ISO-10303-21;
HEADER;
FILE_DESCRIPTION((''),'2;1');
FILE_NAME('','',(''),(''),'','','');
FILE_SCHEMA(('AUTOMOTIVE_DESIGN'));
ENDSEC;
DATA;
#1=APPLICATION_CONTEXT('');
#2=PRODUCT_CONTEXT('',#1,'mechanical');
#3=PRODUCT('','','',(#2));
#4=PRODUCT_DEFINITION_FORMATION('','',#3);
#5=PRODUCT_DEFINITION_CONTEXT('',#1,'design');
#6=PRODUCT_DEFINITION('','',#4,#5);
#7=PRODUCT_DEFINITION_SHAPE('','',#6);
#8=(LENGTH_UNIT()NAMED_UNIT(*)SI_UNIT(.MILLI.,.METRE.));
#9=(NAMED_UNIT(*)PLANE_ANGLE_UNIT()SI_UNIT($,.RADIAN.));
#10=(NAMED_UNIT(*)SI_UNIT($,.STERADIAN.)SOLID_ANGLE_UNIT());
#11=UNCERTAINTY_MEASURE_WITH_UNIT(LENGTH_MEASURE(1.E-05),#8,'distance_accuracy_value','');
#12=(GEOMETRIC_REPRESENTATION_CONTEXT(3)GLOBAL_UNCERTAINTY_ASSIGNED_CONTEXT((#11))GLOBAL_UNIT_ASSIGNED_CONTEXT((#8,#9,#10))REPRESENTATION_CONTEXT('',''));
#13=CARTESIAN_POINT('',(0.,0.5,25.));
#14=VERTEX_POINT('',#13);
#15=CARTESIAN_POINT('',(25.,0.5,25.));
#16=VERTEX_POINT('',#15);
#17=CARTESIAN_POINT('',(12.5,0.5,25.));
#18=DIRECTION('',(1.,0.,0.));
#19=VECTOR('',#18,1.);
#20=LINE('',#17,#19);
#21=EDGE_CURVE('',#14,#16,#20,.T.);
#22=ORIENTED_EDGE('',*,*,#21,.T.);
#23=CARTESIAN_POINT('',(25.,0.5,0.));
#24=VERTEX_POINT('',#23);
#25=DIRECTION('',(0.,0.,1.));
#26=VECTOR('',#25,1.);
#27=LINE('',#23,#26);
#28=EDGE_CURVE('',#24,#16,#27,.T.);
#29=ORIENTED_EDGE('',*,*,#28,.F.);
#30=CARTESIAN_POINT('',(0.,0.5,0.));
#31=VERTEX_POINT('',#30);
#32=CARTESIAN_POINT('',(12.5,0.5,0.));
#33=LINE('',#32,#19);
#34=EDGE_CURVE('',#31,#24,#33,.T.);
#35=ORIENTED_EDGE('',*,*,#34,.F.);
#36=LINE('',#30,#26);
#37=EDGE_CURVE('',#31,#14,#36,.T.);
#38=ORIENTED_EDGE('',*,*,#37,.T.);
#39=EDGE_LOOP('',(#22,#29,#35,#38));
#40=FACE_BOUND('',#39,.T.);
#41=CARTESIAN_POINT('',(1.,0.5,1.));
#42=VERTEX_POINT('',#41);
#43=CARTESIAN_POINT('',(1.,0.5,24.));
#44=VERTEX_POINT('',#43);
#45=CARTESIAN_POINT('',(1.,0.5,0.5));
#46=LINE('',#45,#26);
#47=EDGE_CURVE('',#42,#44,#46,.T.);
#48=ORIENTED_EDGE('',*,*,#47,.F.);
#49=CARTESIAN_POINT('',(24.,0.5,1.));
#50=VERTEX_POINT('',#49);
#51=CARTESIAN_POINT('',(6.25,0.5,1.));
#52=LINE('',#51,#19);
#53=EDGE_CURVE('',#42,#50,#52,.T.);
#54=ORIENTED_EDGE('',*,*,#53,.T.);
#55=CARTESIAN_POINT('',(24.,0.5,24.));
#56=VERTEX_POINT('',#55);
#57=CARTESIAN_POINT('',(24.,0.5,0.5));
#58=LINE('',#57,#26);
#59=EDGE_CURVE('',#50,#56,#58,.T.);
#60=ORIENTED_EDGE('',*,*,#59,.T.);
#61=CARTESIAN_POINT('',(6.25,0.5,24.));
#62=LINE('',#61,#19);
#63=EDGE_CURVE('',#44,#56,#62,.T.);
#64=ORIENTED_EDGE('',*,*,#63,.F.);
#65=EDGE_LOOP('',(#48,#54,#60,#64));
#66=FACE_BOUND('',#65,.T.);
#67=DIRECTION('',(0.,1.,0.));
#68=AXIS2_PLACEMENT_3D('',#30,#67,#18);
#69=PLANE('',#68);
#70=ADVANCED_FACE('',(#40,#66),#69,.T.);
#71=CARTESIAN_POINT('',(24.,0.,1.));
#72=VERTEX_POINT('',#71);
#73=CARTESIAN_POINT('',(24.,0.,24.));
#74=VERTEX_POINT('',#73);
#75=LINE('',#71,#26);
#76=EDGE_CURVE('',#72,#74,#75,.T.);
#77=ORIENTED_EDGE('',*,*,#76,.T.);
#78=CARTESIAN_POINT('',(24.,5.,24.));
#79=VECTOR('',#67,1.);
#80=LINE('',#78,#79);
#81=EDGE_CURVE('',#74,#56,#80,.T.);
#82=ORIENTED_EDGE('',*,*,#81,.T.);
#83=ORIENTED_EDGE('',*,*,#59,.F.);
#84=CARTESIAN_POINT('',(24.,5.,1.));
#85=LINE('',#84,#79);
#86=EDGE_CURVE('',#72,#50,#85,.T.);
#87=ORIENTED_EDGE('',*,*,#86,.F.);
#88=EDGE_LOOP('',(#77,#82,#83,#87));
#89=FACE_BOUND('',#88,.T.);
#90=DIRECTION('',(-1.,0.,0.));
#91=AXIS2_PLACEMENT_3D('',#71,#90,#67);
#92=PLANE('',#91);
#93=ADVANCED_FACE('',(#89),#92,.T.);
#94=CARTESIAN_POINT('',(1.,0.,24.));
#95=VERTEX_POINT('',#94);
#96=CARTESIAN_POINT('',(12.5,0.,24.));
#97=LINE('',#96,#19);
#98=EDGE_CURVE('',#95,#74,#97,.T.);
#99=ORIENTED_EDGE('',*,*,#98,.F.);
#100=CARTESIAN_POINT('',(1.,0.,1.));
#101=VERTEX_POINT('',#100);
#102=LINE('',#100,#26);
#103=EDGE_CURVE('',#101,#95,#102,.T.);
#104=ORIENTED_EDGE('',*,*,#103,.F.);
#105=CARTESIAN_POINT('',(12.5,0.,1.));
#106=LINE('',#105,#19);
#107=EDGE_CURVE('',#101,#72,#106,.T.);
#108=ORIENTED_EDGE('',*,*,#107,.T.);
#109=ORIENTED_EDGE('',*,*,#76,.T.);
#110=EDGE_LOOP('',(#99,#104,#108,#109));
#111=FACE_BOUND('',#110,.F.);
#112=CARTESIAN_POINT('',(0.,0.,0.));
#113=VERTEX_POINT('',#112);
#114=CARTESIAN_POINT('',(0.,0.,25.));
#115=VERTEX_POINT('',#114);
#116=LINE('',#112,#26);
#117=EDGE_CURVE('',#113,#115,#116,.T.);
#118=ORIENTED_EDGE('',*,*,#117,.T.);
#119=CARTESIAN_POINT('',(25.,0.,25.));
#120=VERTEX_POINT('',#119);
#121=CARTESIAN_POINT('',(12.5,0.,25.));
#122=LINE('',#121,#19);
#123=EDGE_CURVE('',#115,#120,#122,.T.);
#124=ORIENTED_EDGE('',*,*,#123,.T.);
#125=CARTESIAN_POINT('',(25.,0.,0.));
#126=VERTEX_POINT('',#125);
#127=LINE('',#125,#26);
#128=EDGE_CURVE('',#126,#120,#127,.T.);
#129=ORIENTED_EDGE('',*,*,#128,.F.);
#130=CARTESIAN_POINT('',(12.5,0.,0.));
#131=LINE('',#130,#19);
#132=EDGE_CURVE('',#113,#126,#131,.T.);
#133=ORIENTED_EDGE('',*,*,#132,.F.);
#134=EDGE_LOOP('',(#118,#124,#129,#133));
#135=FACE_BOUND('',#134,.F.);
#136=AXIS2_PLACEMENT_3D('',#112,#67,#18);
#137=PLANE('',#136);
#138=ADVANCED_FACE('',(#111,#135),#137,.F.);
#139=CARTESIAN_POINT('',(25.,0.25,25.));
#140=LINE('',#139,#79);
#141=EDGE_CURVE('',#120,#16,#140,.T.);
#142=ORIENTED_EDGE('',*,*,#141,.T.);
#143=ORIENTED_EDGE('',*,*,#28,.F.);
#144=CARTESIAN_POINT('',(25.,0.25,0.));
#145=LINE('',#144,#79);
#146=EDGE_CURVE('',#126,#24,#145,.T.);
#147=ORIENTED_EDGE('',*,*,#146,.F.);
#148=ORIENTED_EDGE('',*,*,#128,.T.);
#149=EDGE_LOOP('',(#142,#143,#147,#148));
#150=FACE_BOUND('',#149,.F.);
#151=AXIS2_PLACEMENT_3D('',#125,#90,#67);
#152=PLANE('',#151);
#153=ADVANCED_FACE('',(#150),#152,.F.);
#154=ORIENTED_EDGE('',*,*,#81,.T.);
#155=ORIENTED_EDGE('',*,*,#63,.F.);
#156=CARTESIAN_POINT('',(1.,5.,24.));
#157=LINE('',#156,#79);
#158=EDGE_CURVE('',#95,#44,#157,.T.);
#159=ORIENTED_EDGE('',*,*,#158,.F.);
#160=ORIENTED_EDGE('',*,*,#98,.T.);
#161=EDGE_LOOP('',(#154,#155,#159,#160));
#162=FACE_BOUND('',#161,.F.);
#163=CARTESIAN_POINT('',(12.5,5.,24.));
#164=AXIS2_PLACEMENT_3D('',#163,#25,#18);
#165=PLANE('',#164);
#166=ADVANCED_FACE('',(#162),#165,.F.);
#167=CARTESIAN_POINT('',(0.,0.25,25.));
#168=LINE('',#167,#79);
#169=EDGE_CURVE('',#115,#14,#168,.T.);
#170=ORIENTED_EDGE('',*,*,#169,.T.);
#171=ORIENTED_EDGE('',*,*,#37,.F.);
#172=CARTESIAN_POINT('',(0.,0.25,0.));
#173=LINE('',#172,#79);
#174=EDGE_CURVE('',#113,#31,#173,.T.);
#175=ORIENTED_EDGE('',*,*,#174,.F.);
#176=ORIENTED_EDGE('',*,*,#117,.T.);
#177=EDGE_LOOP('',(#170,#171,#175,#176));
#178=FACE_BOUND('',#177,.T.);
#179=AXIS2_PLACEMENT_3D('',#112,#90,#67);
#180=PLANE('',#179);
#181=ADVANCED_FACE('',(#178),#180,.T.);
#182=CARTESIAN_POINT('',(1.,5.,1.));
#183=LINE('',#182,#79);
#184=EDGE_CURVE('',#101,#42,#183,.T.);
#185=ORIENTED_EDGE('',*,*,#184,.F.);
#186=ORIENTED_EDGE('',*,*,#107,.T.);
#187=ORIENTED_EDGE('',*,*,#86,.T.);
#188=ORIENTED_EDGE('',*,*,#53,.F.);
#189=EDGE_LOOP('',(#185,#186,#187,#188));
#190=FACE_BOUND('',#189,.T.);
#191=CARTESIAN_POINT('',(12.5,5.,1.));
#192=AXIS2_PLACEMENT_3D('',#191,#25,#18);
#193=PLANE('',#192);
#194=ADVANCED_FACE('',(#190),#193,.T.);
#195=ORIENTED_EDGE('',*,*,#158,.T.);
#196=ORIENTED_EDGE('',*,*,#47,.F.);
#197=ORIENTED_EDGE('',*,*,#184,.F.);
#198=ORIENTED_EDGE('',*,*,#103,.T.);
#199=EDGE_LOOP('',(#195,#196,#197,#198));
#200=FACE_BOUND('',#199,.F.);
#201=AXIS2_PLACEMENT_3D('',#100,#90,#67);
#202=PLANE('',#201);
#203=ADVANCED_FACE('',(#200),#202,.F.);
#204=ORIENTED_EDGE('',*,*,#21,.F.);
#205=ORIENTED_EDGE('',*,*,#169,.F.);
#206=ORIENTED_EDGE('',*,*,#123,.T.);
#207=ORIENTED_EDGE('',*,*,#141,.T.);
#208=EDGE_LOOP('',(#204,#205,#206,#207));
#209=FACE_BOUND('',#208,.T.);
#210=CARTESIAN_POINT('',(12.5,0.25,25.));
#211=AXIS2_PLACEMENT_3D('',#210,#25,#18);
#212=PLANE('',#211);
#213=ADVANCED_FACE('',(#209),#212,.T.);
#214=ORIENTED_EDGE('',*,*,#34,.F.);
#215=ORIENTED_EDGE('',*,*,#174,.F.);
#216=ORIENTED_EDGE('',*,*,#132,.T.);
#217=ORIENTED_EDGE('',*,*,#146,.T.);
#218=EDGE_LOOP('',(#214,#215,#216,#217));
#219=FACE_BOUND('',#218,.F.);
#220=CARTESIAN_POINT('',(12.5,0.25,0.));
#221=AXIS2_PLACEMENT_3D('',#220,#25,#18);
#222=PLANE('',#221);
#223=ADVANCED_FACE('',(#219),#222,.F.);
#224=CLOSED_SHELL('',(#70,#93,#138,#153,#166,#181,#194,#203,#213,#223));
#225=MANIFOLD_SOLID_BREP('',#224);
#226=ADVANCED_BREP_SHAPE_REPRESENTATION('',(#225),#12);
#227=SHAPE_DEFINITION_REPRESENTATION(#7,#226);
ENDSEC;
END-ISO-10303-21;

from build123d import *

# Parameters (mm, degrees)
BOX001_W     = 23
BOX001_H     = 10
BOX001_DEPTH = 23
BOX_W        = 25
BOX_H        = 0.5
BOX_DEPTH    = 25


with BuildPart() as box001:
    # Box001 → Box001 (new body)
    with BuildSketch(Plane(origin=(1, 0, 1), x_dir=(1, 0, 0), z_dir=(0, 0, 1))):
        with Locations((11.5, 5)):
            Rectangle(BOX001_W, BOX001_H)
    extrude(amount=BOX001_DEPTH)


with BuildPart() as cut:
    # Box → Box (new body)
    with BuildSketch(Plane.XY):
        with Locations((12.5, 0.25)):
            Rectangle(BOX_W, BOX_H)
    extrude(amount=BOX_DEPTH)

    # Cut: cut Box001
    add(box001.part, mode=Mode.SUBTRACT)


solid = cut.part
